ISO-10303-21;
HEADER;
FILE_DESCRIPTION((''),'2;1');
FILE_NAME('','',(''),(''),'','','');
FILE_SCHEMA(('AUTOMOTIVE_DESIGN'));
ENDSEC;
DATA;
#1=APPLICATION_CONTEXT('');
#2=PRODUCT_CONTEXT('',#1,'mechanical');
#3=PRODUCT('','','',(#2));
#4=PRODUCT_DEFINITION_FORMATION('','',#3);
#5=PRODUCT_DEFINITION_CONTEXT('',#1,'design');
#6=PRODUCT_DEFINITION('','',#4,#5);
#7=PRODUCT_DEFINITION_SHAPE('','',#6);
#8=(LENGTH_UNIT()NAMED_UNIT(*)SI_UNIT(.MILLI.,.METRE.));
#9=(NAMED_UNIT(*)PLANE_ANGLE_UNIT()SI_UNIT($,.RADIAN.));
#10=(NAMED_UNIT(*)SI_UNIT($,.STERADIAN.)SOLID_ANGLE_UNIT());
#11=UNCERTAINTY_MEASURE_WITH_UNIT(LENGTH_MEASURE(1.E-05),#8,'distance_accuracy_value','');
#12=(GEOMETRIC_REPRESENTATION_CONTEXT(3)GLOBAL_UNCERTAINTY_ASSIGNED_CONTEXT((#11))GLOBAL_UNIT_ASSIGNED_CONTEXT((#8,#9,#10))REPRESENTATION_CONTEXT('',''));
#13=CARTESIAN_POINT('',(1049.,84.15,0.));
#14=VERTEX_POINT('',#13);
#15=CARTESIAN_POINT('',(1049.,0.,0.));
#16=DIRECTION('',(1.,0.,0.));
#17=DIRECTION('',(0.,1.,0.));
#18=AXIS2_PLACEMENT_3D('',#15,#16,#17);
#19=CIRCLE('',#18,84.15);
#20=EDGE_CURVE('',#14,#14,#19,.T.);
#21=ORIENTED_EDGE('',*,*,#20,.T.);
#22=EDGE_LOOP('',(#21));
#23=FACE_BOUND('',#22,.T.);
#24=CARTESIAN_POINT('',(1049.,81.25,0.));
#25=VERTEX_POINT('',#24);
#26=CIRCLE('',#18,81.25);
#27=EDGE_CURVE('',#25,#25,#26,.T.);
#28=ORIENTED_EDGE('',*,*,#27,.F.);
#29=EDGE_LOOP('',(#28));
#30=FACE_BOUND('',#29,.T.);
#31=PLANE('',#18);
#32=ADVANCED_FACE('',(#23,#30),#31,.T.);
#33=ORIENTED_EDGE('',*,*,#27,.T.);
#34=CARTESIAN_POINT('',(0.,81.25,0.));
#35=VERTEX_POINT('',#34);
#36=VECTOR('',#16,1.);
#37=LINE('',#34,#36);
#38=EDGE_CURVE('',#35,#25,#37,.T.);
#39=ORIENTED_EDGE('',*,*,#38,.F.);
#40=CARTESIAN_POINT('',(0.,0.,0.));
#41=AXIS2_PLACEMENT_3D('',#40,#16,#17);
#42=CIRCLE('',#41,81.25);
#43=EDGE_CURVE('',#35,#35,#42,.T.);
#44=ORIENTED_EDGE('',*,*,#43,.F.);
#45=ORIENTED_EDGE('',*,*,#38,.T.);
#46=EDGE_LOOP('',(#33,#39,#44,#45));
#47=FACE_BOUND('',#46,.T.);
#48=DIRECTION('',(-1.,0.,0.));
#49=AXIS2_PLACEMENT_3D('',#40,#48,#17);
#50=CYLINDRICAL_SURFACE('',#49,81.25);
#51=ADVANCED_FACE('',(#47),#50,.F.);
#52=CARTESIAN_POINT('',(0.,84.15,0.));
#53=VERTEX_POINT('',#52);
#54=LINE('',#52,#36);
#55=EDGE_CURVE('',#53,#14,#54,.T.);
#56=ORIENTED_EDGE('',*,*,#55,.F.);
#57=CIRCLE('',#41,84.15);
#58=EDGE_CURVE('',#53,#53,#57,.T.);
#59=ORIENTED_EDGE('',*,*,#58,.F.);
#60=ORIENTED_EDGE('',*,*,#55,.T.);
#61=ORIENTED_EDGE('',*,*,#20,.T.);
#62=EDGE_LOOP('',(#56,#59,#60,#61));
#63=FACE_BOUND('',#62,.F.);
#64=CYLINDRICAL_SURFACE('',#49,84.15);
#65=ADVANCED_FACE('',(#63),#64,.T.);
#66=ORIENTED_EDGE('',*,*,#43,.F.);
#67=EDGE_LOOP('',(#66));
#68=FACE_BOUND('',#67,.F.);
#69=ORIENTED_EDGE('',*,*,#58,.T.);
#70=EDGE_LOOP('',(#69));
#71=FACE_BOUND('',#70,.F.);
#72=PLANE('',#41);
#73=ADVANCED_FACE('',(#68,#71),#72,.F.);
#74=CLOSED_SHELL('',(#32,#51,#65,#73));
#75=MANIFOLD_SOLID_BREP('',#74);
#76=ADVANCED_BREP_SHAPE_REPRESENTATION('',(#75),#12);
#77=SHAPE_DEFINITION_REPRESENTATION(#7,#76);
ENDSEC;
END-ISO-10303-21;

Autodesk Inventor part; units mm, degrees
ref_plane "YZ Plane" through (0, 0, 0) normal (1, 0, 0) x (0, 1, 0)
ref_plane "XZ Plane" through (0, 0, 0) normal (0, 1, 0) x (-1, 0, 0)
ref_plane "XY Plane" through (0, 0, 0) normal (0, 0, 1) x (1, 0, 0)
sketch "Sketch1" plane through (0, 0, 0) normal (1, 0, 0) x (0, 1, 0)
  circle A0 centre (0, 0) radius 84.15
  circle A1 centre (0, 0) radius 81.25
  dimension "d0" = 168.3
  dimension "d1" = 2.9
extrude "Extrusion1" add sketch "Sketch1" along normal blind 1049
equation "\"d0\" = OD"
equation "\"d1\" = t"
equation "\"d2\" = L"
equation "\"OD\" = 168.3"
equation "\"t\" = 2.9"
equation "\"L\" = PL"
equation "\"ID\" = 162.5"
equation "\"PL\" = 1049"
equation "\"Size_Designation\" = 1.2345"
properties material "Steel"
